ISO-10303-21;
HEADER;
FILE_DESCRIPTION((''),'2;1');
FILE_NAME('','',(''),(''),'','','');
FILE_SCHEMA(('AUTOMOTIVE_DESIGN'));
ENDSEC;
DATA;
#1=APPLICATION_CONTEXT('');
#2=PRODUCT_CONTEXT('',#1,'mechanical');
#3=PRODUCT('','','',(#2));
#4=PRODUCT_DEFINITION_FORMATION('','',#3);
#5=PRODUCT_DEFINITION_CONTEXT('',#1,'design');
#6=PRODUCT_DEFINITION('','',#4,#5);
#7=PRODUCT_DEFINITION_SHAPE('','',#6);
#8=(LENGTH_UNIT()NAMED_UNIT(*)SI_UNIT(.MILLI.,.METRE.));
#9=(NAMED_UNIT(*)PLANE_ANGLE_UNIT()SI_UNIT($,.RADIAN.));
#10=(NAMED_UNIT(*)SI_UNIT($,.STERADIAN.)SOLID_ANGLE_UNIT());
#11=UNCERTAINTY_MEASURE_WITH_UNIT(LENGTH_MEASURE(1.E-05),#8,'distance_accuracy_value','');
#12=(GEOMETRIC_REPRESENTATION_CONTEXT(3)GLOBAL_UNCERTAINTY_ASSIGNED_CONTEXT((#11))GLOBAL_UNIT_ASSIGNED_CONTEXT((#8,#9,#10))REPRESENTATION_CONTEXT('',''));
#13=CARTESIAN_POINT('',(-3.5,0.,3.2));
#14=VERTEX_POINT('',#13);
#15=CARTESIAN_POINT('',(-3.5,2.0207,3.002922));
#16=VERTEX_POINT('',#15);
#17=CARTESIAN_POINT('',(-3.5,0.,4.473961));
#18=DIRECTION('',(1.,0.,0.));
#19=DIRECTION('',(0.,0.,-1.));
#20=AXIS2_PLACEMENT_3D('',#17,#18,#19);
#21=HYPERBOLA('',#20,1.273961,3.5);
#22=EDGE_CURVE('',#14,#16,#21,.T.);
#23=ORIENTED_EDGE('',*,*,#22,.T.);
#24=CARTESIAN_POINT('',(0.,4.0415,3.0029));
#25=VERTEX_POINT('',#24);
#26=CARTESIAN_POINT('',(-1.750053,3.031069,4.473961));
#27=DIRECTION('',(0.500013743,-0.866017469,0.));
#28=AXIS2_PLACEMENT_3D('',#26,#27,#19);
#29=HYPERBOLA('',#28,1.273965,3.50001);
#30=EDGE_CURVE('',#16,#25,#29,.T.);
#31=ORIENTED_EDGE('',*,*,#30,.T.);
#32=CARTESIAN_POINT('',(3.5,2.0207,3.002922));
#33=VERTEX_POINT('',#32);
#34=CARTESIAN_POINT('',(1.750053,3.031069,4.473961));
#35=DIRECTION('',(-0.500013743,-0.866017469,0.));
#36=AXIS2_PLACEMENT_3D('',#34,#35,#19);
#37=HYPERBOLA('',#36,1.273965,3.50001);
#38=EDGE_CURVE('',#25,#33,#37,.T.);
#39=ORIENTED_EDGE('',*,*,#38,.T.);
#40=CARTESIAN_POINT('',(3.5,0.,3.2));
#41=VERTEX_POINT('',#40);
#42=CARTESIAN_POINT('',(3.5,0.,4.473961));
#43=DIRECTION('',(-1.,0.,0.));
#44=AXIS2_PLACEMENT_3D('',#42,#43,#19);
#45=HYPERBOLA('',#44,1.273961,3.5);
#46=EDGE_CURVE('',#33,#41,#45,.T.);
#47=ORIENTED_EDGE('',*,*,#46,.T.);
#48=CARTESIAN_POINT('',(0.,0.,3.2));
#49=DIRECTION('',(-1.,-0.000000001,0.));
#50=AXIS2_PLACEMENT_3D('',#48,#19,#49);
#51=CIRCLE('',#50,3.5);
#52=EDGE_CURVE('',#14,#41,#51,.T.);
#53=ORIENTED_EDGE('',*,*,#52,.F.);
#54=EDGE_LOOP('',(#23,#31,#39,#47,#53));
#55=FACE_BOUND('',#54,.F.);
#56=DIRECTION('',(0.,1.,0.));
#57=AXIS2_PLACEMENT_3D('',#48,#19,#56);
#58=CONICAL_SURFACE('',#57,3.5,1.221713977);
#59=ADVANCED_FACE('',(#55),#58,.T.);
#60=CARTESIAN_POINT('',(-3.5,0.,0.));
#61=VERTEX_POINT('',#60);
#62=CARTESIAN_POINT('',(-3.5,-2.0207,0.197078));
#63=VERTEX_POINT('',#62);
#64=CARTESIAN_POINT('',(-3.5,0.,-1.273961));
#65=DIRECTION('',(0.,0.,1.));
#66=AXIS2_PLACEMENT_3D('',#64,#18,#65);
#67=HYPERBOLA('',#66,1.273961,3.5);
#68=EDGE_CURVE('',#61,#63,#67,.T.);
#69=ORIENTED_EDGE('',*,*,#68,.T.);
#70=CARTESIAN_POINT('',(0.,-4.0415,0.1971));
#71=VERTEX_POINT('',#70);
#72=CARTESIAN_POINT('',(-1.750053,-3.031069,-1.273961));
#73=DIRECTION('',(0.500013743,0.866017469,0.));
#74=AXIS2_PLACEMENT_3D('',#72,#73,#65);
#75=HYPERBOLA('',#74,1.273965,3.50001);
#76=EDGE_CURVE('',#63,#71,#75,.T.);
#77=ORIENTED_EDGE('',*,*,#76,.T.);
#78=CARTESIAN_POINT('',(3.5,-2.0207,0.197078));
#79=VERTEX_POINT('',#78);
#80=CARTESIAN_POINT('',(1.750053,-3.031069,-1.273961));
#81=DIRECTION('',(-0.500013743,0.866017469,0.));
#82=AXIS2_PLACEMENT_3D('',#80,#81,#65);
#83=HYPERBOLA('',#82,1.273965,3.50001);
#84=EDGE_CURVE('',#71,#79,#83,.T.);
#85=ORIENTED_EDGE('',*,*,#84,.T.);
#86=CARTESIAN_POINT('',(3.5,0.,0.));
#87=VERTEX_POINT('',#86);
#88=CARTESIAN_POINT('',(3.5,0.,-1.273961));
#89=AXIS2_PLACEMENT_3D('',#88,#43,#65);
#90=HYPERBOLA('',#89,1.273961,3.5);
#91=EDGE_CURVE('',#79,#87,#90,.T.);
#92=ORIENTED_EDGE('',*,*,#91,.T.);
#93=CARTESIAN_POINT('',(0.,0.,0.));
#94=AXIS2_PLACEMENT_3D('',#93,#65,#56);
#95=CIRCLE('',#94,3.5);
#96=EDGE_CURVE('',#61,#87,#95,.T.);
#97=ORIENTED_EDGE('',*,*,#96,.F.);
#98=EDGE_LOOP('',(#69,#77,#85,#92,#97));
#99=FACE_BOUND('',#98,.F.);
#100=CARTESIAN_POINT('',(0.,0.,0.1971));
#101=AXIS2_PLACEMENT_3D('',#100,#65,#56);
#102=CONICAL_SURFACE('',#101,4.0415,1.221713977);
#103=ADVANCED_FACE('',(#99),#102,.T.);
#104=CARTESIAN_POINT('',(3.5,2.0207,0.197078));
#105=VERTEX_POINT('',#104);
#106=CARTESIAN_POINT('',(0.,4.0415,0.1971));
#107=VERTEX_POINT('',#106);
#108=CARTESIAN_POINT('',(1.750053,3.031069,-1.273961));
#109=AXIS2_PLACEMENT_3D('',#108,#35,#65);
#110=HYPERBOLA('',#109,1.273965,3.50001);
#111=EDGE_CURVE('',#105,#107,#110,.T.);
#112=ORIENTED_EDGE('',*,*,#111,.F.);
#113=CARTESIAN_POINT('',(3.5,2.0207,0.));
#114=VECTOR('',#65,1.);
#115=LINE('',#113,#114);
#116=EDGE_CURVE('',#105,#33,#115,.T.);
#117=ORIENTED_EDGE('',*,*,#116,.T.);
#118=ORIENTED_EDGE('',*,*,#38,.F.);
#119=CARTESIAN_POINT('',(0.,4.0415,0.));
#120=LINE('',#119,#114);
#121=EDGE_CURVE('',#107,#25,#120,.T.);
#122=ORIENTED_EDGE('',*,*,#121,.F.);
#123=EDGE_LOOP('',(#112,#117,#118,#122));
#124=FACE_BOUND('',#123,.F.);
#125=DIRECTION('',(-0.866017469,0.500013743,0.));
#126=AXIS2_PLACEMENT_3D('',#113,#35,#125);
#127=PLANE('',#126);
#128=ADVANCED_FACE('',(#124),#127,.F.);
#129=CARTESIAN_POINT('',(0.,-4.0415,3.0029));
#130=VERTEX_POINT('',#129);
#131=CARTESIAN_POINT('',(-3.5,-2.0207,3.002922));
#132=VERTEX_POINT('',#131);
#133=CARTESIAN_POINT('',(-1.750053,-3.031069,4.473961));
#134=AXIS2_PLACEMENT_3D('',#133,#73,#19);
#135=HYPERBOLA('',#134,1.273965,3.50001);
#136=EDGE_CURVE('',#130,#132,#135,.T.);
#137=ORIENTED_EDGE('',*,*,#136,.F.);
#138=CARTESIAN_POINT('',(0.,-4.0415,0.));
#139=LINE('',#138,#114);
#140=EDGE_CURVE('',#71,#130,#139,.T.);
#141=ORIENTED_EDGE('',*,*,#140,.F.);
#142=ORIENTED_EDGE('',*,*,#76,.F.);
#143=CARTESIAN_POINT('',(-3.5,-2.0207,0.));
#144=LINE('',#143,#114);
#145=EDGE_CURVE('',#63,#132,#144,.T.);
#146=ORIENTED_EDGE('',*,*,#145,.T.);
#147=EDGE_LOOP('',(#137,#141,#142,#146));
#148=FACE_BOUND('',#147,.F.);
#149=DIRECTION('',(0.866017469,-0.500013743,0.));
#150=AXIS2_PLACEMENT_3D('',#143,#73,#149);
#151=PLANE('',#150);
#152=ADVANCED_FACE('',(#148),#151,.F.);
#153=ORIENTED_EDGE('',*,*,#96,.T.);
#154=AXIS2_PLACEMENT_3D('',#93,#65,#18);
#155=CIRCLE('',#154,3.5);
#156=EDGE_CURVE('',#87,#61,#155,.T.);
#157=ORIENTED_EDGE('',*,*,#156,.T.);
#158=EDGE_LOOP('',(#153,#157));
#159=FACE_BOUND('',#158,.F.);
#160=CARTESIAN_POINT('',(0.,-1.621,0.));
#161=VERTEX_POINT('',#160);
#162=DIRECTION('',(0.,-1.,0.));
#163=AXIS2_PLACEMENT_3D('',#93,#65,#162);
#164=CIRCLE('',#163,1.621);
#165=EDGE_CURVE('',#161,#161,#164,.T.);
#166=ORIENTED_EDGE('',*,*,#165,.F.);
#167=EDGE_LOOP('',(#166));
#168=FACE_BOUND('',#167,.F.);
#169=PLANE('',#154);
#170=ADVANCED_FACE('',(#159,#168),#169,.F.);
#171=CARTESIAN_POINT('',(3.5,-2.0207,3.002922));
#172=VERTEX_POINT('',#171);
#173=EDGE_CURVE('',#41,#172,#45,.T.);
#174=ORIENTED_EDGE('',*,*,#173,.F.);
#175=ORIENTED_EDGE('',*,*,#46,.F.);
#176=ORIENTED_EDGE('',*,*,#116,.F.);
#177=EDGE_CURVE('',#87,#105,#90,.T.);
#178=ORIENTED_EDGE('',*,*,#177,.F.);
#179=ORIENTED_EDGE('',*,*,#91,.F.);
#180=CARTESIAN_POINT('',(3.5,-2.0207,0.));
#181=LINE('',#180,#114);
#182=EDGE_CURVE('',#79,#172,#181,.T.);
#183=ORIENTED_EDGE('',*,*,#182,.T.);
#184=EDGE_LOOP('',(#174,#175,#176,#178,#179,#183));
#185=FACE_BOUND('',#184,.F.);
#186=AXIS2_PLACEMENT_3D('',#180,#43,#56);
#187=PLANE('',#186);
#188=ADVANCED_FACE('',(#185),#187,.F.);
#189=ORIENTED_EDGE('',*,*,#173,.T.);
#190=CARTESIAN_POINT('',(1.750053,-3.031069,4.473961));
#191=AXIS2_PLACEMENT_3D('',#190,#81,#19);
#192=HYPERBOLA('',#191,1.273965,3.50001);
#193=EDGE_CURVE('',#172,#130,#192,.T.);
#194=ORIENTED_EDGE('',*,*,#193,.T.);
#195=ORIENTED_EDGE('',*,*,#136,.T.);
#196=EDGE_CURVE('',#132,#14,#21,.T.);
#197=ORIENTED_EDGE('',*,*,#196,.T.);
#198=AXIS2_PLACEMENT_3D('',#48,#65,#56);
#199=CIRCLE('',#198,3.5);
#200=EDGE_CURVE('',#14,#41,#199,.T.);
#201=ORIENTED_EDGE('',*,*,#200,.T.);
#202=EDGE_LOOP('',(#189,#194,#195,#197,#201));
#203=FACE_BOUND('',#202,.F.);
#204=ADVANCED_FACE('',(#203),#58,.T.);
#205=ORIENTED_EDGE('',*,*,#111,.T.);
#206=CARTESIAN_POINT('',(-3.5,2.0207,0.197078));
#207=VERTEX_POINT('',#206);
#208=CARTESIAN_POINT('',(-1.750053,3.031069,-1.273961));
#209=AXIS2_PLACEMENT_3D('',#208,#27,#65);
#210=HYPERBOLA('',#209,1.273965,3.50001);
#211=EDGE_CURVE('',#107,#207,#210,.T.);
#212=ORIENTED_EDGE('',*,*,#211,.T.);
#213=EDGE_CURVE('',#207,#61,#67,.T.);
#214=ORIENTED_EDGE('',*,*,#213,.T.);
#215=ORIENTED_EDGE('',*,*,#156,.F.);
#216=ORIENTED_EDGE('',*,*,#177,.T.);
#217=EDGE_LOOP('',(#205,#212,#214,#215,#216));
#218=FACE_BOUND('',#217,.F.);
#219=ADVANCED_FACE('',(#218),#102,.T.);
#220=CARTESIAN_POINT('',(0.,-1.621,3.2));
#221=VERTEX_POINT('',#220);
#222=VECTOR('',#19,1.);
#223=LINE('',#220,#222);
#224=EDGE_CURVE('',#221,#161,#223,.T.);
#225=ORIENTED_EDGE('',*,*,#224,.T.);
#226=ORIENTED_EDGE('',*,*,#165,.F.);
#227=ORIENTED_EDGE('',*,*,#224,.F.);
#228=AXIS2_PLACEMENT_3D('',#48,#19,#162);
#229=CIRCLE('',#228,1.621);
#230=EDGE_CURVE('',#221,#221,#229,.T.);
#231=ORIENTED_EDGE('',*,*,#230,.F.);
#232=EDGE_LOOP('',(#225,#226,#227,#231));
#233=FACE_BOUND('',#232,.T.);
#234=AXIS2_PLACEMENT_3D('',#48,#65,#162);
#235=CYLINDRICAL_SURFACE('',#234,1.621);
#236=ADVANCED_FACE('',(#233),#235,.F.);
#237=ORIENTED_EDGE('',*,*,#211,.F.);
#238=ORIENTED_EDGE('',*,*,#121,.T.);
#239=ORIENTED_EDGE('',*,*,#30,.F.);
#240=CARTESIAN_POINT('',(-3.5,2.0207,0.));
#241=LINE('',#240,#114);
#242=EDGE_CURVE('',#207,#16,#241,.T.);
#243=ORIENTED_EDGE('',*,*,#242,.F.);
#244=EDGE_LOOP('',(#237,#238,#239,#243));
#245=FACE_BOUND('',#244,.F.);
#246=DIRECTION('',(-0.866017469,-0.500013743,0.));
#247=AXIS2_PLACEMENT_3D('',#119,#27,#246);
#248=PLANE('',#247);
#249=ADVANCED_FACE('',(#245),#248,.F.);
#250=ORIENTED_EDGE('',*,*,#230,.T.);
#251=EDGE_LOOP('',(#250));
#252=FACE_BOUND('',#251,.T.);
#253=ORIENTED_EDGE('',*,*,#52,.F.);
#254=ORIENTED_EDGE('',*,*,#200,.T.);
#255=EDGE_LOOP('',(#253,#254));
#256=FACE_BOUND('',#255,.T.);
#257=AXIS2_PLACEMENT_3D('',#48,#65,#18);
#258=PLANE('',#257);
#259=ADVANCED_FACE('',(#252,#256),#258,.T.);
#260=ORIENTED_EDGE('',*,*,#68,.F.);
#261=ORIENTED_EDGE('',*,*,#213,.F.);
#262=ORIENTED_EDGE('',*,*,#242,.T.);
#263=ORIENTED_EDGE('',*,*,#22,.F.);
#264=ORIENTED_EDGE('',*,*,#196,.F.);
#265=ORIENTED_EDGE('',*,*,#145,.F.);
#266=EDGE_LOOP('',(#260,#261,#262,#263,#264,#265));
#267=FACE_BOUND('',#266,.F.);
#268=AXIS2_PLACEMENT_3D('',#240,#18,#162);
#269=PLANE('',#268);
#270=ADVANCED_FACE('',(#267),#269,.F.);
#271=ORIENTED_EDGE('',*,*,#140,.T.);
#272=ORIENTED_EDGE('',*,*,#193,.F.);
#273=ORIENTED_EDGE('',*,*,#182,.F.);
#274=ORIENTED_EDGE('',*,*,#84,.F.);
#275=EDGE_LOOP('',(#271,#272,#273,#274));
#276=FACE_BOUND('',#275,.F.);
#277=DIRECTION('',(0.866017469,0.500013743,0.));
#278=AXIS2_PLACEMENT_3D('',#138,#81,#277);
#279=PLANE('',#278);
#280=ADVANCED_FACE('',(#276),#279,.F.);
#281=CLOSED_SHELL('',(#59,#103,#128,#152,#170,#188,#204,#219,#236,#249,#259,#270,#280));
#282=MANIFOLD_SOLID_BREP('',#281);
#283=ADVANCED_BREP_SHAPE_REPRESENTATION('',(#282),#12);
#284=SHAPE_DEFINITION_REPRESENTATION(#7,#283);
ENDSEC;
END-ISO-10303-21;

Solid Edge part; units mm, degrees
sketch "Sketch1" plane through (0, 0, 0) normal (0, 0, 1) x (1, 0, 0)
  line L0 (-3.5, 2.0207) -> (-3.5, -2.0207)
  line L1 (-3.5, -2.0207) -> (0, -4.0415)
  line L2 (0, -4.0415) -> (3.5, -2.0207)
  line L3 (3.5, -2.0207) -> (3.5, 2.0207)
  line L4 (3.5, 2.0207) -> (0, 4.0415)
  line L5 (0, 4.0415) -> (-3.5, 2.0207)
extrude "Protrusion1" add sketch "Sketch1" along normal blind 3.2
hole "Hole1" at (0, 0, 3.2) direction (0, 0, -1) diameter 3.242 end up to next
sketch "Sketch2" plane through (0, 0, 0) normal (1, 0, 0) x (0, 1, 0)
  line L0 (3.5, 3.2) -> (4.0415, 3.0029)
revolve "RevolvedCutout1" cut sketch "Sketch2" angle 360 about axis through (0, 0, -60.325) along (0, 0, 1) material side at (0, 3.7879, 3.1484)
sketch "Sketch3" plane through (0, 0, 0) normal (1, 0, 0) x (0, 1, 0)
  line L0 (4.0415, 0.1971) -> (3.5, 0)
revolve "RevolvedCutout2" cut sketch "Sketch3" angle 360 about axis through (0, 0, -60.325) along (0, 0, 1) material side at (0, 3.7879, 0.0516)
properties part number "062"
